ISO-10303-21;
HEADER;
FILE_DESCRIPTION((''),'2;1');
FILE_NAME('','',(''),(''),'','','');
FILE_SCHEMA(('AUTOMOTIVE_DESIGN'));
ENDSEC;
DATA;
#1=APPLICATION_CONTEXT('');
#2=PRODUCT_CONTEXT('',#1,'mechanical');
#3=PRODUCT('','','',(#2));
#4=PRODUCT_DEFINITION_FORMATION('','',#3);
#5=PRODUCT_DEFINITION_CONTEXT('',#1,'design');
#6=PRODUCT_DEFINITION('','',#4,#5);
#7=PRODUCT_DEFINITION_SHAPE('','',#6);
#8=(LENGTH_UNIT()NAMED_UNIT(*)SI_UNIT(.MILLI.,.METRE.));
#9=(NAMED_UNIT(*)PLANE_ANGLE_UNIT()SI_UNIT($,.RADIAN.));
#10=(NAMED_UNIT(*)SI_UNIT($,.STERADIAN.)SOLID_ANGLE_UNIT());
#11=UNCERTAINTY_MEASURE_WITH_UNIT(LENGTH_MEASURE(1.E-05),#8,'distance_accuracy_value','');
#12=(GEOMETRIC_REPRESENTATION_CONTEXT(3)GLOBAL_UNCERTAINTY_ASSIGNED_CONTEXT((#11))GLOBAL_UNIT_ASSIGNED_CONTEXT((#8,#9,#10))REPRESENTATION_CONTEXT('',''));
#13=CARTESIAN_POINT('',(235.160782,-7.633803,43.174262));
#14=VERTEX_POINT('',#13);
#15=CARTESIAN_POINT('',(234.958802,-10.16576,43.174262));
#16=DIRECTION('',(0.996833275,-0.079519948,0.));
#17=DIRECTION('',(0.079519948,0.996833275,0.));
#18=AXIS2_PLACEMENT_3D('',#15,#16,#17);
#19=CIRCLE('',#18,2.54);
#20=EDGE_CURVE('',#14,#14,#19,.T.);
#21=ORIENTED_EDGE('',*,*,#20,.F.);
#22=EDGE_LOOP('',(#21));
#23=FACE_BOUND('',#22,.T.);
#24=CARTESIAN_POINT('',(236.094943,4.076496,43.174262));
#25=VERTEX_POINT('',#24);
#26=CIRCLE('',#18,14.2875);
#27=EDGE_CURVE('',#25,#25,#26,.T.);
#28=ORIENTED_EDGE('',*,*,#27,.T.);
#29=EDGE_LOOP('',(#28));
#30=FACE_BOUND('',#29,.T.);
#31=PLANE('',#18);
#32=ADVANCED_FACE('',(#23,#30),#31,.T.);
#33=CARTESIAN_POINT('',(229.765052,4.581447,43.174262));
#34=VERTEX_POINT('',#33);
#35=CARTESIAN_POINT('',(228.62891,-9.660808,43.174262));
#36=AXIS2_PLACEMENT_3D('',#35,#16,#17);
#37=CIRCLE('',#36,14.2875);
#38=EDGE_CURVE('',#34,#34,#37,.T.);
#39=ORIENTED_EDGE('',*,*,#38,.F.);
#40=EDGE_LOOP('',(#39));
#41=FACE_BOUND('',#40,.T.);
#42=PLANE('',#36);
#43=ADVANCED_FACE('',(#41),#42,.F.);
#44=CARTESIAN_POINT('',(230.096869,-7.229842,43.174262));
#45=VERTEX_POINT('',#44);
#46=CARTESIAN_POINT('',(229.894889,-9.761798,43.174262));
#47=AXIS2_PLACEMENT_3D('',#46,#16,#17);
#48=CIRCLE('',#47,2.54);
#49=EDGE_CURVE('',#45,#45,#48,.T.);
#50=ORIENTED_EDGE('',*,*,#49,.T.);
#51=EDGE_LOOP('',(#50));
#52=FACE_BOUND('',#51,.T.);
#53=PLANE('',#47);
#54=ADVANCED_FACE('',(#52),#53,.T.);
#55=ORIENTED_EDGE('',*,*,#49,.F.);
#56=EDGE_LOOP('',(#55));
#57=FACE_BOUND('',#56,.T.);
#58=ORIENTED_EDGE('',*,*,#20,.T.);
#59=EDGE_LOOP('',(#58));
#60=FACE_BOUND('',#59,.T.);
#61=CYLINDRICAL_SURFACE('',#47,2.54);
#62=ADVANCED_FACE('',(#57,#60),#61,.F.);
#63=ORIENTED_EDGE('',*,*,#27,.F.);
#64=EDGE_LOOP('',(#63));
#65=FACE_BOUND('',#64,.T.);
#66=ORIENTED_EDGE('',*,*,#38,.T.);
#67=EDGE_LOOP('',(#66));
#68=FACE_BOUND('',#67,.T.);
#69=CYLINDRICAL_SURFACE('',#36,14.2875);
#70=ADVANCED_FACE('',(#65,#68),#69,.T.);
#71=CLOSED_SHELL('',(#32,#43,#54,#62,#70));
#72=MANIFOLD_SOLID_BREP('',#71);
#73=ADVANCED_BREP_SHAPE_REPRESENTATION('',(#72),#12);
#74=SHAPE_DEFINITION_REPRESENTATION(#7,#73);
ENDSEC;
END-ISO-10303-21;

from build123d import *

# Parameters (mm, degrees)
SKETCH1_R           = 14.2875
BOSS_EXTRUDE1_DEPTH = 6.35
SKETCH2_R           = 2.54
CUT_EXTRUDE1_DEPTH  = 5.08


with BuildPart() as part:
    # Sketch1 → Boss-Extrude1 (new body)
    with BuildSketch(Plane(origin=(234.278878836, -18.689027227, 0), x_dir=(0, 0, -1), z_dir=(0.9968332748770866, -0.0795199477981641, 0))):
        with Locations(Location((-43.174261814, 8.550344032, 0), (0, 0, 90))):
            Circle(SKETCH1_R)
    extrude(amount=-BOSS_EXTRUDE1_DEPTH)

    # Sketch2 → Cut-Extrude1 (cut)
    with BuildSketch(Plane(origin=(234.278878836, -18.689027227, 0), x_dir=(0, 0, -1), z_dir=(0.9968332748770866, -0.07951994779816411, 0))):
        with Locations(Location((-43.174261814, 8.550344032, 0), (0, 0, 90))):
            Circle(SKETCH2_R)
    extrude(amount=-CUT_EXTRUDE1_DEPTH, mode=Mode.SUBTRACT)


solid = part.part
